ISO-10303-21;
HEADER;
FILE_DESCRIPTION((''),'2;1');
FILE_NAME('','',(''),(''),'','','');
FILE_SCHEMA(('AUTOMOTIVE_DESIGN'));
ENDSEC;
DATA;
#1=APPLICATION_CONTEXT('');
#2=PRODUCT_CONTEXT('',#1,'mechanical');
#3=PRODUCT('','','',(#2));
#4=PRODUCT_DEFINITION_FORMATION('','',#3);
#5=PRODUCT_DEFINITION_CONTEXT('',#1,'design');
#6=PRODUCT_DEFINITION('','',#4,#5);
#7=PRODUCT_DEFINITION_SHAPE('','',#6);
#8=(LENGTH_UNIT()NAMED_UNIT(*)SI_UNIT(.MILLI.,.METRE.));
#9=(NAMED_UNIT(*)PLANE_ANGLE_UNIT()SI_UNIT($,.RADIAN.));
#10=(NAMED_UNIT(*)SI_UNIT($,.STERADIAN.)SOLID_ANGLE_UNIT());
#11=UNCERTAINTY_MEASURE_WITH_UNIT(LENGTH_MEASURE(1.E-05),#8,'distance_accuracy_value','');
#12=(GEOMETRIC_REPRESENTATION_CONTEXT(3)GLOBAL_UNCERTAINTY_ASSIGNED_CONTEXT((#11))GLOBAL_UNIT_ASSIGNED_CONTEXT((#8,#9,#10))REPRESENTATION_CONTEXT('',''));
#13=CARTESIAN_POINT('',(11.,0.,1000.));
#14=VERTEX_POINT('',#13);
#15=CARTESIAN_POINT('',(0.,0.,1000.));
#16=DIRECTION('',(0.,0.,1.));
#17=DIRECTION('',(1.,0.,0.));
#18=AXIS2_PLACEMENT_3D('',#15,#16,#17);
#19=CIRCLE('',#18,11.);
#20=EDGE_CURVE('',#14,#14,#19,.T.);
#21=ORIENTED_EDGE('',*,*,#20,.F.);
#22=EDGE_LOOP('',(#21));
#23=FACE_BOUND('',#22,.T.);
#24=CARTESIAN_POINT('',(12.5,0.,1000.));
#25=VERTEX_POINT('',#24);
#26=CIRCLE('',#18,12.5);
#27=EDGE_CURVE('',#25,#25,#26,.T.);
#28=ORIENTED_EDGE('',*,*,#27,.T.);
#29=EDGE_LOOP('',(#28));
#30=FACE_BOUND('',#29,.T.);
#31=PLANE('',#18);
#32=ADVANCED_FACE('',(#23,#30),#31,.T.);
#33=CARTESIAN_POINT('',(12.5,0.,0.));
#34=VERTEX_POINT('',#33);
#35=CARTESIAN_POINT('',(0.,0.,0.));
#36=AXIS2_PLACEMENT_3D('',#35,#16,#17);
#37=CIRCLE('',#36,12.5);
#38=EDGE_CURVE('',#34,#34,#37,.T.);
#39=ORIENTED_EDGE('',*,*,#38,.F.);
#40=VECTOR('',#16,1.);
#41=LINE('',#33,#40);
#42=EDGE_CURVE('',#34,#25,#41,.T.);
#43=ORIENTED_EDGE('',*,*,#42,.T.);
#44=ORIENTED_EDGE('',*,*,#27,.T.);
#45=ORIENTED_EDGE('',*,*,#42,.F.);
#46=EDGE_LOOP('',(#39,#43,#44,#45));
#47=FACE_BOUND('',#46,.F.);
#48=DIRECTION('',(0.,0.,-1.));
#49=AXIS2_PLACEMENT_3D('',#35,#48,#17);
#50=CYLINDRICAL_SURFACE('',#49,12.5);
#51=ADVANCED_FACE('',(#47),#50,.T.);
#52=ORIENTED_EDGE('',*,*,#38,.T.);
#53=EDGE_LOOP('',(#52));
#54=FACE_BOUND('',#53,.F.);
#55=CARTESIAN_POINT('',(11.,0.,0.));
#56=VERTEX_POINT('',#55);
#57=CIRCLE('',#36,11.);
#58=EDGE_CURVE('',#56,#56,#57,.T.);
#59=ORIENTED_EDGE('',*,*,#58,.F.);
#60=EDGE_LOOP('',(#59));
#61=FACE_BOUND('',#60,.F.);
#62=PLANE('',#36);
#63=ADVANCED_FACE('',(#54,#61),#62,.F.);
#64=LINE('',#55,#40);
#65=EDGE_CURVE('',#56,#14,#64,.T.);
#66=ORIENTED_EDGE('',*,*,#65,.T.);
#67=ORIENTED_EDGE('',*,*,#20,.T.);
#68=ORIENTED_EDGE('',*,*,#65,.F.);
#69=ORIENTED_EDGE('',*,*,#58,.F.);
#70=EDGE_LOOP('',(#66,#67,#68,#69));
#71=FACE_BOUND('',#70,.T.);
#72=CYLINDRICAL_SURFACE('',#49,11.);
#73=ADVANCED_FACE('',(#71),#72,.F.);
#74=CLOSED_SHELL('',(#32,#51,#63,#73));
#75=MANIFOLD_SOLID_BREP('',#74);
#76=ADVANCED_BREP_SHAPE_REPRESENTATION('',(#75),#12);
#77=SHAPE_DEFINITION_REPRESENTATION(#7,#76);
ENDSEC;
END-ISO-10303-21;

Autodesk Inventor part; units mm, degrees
ref_plane "YZ Plane" through (0, 0, 0) normal (1, 0, 0) x (0, 1, 0)
ref_plane "XZ Plane" through (0, 0, 0) normal (0, 1, 0) x (-1, 0, 0)
ref_plane "XY Plane" through (0, 0, 0) normal (0, 0, 1) x (1, 0, 0)
sketch "Esquisse1" plane through (0, 0, 0) normal (0, 0, 1) x (1, 0, 0)
  circle A0 centre (0, 0) radius 11
  circle A1 centre (0, 0) radius 12.5
  dimension "d0" = 22
  dimension "d1" = 25
extrude "Extrusion1" add sketch "Esquisse1" along normal blind 1000
properties part number "canon_pvc" material "Tuyauterie PVC"
